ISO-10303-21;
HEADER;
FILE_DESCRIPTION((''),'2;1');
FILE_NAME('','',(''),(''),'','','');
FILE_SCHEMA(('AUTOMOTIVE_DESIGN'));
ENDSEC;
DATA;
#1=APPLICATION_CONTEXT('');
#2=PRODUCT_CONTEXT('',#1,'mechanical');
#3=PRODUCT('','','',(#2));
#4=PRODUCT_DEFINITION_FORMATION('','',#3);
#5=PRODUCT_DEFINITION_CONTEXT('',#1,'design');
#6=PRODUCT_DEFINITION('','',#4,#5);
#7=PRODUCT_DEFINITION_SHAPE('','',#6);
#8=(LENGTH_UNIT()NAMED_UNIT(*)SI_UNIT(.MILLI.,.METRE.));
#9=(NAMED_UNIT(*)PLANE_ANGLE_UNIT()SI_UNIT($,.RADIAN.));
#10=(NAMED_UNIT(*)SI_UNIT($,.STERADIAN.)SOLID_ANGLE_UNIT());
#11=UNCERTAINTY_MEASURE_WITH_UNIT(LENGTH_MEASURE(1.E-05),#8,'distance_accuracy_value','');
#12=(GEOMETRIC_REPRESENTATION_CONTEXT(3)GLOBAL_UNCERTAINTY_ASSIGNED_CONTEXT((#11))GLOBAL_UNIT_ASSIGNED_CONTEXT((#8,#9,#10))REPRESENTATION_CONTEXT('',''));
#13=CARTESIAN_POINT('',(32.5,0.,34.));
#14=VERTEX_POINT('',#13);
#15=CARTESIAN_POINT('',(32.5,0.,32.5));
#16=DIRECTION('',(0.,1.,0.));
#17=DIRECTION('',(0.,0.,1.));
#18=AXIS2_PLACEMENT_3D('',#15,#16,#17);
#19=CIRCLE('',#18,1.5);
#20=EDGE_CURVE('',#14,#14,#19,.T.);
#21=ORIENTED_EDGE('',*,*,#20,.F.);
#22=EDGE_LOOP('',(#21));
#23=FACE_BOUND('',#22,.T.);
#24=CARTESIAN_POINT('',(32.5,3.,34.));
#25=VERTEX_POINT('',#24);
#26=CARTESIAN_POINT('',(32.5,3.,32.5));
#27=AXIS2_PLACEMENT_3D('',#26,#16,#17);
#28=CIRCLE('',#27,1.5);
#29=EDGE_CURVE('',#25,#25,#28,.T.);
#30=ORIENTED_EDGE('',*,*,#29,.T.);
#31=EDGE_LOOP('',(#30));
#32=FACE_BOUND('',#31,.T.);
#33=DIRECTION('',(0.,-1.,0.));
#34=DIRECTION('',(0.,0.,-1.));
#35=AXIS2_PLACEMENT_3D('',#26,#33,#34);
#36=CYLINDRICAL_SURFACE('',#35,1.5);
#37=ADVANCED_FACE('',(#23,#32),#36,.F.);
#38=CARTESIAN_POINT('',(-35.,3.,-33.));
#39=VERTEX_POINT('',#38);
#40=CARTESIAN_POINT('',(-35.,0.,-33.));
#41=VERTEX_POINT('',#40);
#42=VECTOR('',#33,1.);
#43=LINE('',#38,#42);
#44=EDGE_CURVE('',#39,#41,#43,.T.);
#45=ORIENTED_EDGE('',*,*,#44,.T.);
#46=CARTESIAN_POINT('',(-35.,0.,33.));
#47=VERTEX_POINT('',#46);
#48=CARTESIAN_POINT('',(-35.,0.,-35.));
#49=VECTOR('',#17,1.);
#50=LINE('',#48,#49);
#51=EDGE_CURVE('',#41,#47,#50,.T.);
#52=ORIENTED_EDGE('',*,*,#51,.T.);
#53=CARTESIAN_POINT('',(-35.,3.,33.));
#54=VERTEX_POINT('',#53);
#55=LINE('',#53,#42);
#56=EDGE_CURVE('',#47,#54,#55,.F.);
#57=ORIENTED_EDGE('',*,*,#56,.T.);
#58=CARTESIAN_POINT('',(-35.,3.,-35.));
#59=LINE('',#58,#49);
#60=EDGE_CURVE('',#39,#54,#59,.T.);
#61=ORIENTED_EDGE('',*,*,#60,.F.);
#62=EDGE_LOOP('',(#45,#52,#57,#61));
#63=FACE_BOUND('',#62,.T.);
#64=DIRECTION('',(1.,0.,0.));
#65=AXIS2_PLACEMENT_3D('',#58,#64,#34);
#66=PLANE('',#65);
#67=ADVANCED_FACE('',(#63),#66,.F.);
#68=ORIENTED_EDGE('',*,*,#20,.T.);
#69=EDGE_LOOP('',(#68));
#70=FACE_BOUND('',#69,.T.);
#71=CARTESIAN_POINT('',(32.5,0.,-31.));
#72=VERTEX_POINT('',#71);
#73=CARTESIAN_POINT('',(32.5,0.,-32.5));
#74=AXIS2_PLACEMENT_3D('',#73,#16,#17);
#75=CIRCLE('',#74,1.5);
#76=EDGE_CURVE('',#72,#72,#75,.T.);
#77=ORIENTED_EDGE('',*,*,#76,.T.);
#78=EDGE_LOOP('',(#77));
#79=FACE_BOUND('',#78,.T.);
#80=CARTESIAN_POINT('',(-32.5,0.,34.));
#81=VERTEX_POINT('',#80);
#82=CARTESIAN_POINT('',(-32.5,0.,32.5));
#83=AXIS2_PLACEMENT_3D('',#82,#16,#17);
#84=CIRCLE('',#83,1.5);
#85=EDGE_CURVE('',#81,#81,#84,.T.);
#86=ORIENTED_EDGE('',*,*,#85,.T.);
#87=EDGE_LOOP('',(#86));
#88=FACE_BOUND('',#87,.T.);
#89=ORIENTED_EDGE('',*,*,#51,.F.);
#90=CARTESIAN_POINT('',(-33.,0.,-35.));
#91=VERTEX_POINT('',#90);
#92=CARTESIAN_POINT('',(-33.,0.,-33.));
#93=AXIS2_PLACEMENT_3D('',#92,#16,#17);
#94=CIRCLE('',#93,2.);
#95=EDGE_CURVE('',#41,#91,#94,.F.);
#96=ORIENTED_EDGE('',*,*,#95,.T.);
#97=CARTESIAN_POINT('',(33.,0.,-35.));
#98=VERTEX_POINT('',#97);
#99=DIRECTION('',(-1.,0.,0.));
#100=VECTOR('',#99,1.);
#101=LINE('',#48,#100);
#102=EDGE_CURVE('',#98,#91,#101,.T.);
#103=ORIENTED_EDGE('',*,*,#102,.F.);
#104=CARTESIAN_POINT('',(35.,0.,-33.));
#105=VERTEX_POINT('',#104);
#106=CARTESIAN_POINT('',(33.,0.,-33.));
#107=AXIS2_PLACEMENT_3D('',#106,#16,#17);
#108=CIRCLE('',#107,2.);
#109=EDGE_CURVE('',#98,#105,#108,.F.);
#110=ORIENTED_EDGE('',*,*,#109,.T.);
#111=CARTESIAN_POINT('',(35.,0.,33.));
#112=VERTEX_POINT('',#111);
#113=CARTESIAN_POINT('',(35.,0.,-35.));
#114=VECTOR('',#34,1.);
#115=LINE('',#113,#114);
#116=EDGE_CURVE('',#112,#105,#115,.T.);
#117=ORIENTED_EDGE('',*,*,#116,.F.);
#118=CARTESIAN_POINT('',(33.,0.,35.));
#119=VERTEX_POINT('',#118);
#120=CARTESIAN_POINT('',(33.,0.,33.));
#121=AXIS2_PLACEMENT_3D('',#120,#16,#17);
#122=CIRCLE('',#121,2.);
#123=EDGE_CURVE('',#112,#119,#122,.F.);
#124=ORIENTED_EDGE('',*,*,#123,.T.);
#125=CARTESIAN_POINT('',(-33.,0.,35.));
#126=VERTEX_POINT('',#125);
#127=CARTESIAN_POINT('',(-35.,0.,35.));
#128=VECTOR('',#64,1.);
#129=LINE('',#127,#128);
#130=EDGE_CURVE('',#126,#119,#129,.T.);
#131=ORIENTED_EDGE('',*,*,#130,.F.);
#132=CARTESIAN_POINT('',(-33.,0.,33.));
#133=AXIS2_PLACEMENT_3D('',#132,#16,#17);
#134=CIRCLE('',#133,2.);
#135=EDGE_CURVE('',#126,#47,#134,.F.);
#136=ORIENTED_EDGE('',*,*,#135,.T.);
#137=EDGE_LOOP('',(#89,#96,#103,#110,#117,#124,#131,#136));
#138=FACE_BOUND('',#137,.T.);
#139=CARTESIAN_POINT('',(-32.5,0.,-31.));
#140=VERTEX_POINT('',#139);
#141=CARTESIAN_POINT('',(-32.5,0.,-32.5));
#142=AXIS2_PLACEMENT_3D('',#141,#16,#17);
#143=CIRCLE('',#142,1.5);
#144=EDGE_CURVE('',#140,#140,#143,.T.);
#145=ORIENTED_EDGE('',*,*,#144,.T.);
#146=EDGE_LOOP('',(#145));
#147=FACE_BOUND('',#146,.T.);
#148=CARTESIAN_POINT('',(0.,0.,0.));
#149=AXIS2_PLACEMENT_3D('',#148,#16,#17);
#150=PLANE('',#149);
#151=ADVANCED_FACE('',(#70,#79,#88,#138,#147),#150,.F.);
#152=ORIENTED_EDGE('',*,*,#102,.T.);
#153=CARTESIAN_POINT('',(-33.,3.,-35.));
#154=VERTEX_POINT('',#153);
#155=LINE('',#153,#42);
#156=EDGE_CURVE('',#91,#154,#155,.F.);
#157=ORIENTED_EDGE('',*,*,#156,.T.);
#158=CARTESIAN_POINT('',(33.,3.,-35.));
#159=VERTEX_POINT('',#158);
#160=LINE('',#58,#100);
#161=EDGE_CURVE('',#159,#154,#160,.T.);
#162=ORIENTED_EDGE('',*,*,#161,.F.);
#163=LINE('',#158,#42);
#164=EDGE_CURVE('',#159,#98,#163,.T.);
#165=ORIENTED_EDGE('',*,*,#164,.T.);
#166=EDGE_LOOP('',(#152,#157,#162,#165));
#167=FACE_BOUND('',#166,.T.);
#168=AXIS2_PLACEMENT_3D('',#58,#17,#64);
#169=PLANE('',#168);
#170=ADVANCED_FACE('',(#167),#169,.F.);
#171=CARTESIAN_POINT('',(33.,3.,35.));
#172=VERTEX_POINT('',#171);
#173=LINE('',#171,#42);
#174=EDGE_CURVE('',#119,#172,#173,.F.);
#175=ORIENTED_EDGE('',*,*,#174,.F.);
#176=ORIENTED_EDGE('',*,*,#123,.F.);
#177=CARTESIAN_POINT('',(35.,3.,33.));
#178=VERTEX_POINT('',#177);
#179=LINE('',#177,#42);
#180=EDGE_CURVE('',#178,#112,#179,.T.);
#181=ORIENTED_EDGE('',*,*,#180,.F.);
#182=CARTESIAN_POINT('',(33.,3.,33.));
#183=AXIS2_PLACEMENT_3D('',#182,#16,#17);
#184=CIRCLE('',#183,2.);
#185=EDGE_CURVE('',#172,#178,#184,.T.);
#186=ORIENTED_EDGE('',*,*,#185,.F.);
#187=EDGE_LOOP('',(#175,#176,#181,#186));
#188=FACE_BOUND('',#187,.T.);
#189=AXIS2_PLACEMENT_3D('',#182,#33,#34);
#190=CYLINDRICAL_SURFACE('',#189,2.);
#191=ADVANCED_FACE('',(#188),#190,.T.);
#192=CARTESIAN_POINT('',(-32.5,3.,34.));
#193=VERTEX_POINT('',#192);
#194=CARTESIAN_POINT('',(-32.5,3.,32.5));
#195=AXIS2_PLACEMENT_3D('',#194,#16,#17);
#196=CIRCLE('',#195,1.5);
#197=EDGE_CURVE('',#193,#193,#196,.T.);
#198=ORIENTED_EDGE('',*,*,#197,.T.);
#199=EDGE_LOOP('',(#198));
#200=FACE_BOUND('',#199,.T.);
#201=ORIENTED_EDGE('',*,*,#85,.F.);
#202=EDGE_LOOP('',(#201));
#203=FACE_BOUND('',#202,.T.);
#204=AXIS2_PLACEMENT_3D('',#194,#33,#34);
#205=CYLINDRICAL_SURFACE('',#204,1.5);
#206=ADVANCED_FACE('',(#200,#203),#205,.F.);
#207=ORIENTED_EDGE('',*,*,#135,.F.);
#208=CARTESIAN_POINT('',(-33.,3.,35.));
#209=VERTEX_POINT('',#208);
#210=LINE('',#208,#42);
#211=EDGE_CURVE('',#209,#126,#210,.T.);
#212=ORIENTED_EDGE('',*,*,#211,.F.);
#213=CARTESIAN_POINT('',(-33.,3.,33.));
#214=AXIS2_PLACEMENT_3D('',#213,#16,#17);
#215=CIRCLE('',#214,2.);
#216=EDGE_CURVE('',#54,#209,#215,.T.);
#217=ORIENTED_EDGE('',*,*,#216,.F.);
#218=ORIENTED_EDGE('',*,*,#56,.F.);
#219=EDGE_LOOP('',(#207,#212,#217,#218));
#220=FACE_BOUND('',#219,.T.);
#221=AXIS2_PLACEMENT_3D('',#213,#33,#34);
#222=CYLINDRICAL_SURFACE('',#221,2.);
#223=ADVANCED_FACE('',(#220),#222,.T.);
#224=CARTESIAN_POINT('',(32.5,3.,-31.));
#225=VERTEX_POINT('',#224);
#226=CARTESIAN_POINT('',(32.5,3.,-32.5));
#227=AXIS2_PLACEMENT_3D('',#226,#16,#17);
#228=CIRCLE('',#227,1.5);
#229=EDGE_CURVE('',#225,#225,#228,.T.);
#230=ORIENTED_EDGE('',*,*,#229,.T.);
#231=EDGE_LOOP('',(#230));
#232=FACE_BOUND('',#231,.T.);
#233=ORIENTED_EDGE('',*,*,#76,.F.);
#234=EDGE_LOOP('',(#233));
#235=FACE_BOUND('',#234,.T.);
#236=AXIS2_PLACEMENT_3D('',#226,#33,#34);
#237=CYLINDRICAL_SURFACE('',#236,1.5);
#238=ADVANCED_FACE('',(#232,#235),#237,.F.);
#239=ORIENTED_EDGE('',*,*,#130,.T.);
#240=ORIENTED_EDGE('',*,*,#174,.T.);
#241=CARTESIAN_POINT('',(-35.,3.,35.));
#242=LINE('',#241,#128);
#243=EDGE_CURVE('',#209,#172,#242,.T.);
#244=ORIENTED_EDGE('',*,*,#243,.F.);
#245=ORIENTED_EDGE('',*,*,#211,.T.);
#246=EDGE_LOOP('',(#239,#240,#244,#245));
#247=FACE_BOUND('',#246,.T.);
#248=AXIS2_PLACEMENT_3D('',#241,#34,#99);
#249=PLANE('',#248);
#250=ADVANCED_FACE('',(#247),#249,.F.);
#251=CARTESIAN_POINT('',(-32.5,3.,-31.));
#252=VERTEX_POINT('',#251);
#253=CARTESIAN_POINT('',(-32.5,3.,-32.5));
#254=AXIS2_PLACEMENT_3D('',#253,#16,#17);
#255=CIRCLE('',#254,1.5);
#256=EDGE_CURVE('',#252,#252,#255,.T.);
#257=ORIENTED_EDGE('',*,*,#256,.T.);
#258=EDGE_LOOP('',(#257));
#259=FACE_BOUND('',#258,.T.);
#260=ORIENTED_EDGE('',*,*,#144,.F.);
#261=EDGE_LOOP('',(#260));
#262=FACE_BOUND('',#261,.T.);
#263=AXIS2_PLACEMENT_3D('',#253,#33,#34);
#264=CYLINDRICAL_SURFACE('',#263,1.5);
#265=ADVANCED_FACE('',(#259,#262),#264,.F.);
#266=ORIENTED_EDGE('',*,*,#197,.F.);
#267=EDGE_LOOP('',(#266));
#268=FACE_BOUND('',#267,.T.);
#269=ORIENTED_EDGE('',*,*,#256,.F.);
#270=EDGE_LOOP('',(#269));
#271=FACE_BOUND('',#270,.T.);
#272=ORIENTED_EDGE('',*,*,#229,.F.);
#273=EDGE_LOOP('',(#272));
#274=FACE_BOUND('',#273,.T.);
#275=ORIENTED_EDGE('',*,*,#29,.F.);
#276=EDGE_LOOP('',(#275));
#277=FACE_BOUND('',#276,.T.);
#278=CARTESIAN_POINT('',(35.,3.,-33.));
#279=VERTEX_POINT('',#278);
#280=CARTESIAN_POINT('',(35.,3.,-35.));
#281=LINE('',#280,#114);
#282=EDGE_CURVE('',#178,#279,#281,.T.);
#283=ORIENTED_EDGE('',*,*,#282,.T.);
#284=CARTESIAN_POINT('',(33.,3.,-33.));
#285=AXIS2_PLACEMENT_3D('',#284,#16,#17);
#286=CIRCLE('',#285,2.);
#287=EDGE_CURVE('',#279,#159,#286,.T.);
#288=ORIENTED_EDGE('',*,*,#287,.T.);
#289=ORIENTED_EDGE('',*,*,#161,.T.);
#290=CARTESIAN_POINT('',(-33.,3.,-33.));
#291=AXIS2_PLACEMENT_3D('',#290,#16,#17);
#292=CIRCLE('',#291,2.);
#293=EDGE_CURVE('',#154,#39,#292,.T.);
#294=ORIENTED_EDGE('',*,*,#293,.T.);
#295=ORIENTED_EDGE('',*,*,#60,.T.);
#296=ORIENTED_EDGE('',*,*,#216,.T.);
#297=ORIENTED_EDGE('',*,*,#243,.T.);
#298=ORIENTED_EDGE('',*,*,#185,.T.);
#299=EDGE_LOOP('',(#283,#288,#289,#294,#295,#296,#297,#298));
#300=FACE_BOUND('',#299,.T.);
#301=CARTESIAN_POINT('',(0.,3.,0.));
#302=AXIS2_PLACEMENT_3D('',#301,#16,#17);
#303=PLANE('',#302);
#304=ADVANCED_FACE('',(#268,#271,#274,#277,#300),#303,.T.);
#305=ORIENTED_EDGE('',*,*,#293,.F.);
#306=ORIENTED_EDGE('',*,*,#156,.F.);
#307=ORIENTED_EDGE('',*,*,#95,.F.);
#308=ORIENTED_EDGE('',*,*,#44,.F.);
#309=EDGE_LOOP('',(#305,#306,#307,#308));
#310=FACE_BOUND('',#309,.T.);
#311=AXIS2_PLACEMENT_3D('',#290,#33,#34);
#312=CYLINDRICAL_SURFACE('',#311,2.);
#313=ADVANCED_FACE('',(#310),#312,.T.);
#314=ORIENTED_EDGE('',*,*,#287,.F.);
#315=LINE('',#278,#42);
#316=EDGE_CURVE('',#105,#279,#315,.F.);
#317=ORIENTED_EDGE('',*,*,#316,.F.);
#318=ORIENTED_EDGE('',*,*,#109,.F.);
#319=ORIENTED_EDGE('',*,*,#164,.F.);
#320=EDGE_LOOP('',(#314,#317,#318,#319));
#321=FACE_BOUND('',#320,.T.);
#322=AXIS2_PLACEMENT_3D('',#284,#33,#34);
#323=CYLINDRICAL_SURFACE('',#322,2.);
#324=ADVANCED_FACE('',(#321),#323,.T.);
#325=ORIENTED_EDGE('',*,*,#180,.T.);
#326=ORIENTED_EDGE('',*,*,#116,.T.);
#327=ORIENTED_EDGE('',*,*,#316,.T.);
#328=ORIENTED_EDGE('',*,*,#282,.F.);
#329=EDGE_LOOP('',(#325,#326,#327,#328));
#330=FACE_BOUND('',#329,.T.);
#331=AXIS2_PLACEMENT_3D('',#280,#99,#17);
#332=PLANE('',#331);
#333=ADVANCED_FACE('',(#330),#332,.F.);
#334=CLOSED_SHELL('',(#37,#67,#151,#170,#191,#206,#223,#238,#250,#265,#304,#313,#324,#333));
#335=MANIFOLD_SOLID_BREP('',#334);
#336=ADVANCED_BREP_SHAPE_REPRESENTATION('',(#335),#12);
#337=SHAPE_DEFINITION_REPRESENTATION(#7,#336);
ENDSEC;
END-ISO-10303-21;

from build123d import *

# Parameters (mm, degrees)
SKETCH1_W           = 70
SKETCH1_H           = 70
SKETCH1_R           = 1.5
BOSS_EXTRUDE1_DEPTH = 3
FILLET1_R           = 2


with BuildPart() as part:
    # Sketch1 → Boss-Extrude1 (new body)
    with BuildSketch(Plane(origin=(0, 0, 0), x_dir=(1, 0, 0), z_dir=(0, 1, 0))):
        Rectangle(SKETCH1_W, SKETCH1_H)
        with Locations((-32.5, 32.5)):
            Circle(SKETCH1_R, mode=Mode.SUBTRACT)
        with Locations((32.5, 32.5)):
            Circle(SKETCH1_R, mode=Mode.SUBTRACT)
        with Locations((32.5, -32.5)):
            Circle(SKETCH1_R, mode=Mode.SUBTRACT)
        with Locations((-32.5, -32.5)):
            Circle(SKETCH1_R, mode=Mode.SUBTRACT)
    extrude(amount=BOSS_EXTRUDE1_DEPTH)

    # Fillet1
    fillet1_edges = [part.edges().sort_by_distance(p)[0] for p in [
        (35, 1.5, 35),
        (-35, 1.5, 35),
        (-35, 1.5, -35),
        (35, 1.5, -35),
    ]]
    fillet(fillet1_edges, radius=FILLET1_R)


solid = part.part
